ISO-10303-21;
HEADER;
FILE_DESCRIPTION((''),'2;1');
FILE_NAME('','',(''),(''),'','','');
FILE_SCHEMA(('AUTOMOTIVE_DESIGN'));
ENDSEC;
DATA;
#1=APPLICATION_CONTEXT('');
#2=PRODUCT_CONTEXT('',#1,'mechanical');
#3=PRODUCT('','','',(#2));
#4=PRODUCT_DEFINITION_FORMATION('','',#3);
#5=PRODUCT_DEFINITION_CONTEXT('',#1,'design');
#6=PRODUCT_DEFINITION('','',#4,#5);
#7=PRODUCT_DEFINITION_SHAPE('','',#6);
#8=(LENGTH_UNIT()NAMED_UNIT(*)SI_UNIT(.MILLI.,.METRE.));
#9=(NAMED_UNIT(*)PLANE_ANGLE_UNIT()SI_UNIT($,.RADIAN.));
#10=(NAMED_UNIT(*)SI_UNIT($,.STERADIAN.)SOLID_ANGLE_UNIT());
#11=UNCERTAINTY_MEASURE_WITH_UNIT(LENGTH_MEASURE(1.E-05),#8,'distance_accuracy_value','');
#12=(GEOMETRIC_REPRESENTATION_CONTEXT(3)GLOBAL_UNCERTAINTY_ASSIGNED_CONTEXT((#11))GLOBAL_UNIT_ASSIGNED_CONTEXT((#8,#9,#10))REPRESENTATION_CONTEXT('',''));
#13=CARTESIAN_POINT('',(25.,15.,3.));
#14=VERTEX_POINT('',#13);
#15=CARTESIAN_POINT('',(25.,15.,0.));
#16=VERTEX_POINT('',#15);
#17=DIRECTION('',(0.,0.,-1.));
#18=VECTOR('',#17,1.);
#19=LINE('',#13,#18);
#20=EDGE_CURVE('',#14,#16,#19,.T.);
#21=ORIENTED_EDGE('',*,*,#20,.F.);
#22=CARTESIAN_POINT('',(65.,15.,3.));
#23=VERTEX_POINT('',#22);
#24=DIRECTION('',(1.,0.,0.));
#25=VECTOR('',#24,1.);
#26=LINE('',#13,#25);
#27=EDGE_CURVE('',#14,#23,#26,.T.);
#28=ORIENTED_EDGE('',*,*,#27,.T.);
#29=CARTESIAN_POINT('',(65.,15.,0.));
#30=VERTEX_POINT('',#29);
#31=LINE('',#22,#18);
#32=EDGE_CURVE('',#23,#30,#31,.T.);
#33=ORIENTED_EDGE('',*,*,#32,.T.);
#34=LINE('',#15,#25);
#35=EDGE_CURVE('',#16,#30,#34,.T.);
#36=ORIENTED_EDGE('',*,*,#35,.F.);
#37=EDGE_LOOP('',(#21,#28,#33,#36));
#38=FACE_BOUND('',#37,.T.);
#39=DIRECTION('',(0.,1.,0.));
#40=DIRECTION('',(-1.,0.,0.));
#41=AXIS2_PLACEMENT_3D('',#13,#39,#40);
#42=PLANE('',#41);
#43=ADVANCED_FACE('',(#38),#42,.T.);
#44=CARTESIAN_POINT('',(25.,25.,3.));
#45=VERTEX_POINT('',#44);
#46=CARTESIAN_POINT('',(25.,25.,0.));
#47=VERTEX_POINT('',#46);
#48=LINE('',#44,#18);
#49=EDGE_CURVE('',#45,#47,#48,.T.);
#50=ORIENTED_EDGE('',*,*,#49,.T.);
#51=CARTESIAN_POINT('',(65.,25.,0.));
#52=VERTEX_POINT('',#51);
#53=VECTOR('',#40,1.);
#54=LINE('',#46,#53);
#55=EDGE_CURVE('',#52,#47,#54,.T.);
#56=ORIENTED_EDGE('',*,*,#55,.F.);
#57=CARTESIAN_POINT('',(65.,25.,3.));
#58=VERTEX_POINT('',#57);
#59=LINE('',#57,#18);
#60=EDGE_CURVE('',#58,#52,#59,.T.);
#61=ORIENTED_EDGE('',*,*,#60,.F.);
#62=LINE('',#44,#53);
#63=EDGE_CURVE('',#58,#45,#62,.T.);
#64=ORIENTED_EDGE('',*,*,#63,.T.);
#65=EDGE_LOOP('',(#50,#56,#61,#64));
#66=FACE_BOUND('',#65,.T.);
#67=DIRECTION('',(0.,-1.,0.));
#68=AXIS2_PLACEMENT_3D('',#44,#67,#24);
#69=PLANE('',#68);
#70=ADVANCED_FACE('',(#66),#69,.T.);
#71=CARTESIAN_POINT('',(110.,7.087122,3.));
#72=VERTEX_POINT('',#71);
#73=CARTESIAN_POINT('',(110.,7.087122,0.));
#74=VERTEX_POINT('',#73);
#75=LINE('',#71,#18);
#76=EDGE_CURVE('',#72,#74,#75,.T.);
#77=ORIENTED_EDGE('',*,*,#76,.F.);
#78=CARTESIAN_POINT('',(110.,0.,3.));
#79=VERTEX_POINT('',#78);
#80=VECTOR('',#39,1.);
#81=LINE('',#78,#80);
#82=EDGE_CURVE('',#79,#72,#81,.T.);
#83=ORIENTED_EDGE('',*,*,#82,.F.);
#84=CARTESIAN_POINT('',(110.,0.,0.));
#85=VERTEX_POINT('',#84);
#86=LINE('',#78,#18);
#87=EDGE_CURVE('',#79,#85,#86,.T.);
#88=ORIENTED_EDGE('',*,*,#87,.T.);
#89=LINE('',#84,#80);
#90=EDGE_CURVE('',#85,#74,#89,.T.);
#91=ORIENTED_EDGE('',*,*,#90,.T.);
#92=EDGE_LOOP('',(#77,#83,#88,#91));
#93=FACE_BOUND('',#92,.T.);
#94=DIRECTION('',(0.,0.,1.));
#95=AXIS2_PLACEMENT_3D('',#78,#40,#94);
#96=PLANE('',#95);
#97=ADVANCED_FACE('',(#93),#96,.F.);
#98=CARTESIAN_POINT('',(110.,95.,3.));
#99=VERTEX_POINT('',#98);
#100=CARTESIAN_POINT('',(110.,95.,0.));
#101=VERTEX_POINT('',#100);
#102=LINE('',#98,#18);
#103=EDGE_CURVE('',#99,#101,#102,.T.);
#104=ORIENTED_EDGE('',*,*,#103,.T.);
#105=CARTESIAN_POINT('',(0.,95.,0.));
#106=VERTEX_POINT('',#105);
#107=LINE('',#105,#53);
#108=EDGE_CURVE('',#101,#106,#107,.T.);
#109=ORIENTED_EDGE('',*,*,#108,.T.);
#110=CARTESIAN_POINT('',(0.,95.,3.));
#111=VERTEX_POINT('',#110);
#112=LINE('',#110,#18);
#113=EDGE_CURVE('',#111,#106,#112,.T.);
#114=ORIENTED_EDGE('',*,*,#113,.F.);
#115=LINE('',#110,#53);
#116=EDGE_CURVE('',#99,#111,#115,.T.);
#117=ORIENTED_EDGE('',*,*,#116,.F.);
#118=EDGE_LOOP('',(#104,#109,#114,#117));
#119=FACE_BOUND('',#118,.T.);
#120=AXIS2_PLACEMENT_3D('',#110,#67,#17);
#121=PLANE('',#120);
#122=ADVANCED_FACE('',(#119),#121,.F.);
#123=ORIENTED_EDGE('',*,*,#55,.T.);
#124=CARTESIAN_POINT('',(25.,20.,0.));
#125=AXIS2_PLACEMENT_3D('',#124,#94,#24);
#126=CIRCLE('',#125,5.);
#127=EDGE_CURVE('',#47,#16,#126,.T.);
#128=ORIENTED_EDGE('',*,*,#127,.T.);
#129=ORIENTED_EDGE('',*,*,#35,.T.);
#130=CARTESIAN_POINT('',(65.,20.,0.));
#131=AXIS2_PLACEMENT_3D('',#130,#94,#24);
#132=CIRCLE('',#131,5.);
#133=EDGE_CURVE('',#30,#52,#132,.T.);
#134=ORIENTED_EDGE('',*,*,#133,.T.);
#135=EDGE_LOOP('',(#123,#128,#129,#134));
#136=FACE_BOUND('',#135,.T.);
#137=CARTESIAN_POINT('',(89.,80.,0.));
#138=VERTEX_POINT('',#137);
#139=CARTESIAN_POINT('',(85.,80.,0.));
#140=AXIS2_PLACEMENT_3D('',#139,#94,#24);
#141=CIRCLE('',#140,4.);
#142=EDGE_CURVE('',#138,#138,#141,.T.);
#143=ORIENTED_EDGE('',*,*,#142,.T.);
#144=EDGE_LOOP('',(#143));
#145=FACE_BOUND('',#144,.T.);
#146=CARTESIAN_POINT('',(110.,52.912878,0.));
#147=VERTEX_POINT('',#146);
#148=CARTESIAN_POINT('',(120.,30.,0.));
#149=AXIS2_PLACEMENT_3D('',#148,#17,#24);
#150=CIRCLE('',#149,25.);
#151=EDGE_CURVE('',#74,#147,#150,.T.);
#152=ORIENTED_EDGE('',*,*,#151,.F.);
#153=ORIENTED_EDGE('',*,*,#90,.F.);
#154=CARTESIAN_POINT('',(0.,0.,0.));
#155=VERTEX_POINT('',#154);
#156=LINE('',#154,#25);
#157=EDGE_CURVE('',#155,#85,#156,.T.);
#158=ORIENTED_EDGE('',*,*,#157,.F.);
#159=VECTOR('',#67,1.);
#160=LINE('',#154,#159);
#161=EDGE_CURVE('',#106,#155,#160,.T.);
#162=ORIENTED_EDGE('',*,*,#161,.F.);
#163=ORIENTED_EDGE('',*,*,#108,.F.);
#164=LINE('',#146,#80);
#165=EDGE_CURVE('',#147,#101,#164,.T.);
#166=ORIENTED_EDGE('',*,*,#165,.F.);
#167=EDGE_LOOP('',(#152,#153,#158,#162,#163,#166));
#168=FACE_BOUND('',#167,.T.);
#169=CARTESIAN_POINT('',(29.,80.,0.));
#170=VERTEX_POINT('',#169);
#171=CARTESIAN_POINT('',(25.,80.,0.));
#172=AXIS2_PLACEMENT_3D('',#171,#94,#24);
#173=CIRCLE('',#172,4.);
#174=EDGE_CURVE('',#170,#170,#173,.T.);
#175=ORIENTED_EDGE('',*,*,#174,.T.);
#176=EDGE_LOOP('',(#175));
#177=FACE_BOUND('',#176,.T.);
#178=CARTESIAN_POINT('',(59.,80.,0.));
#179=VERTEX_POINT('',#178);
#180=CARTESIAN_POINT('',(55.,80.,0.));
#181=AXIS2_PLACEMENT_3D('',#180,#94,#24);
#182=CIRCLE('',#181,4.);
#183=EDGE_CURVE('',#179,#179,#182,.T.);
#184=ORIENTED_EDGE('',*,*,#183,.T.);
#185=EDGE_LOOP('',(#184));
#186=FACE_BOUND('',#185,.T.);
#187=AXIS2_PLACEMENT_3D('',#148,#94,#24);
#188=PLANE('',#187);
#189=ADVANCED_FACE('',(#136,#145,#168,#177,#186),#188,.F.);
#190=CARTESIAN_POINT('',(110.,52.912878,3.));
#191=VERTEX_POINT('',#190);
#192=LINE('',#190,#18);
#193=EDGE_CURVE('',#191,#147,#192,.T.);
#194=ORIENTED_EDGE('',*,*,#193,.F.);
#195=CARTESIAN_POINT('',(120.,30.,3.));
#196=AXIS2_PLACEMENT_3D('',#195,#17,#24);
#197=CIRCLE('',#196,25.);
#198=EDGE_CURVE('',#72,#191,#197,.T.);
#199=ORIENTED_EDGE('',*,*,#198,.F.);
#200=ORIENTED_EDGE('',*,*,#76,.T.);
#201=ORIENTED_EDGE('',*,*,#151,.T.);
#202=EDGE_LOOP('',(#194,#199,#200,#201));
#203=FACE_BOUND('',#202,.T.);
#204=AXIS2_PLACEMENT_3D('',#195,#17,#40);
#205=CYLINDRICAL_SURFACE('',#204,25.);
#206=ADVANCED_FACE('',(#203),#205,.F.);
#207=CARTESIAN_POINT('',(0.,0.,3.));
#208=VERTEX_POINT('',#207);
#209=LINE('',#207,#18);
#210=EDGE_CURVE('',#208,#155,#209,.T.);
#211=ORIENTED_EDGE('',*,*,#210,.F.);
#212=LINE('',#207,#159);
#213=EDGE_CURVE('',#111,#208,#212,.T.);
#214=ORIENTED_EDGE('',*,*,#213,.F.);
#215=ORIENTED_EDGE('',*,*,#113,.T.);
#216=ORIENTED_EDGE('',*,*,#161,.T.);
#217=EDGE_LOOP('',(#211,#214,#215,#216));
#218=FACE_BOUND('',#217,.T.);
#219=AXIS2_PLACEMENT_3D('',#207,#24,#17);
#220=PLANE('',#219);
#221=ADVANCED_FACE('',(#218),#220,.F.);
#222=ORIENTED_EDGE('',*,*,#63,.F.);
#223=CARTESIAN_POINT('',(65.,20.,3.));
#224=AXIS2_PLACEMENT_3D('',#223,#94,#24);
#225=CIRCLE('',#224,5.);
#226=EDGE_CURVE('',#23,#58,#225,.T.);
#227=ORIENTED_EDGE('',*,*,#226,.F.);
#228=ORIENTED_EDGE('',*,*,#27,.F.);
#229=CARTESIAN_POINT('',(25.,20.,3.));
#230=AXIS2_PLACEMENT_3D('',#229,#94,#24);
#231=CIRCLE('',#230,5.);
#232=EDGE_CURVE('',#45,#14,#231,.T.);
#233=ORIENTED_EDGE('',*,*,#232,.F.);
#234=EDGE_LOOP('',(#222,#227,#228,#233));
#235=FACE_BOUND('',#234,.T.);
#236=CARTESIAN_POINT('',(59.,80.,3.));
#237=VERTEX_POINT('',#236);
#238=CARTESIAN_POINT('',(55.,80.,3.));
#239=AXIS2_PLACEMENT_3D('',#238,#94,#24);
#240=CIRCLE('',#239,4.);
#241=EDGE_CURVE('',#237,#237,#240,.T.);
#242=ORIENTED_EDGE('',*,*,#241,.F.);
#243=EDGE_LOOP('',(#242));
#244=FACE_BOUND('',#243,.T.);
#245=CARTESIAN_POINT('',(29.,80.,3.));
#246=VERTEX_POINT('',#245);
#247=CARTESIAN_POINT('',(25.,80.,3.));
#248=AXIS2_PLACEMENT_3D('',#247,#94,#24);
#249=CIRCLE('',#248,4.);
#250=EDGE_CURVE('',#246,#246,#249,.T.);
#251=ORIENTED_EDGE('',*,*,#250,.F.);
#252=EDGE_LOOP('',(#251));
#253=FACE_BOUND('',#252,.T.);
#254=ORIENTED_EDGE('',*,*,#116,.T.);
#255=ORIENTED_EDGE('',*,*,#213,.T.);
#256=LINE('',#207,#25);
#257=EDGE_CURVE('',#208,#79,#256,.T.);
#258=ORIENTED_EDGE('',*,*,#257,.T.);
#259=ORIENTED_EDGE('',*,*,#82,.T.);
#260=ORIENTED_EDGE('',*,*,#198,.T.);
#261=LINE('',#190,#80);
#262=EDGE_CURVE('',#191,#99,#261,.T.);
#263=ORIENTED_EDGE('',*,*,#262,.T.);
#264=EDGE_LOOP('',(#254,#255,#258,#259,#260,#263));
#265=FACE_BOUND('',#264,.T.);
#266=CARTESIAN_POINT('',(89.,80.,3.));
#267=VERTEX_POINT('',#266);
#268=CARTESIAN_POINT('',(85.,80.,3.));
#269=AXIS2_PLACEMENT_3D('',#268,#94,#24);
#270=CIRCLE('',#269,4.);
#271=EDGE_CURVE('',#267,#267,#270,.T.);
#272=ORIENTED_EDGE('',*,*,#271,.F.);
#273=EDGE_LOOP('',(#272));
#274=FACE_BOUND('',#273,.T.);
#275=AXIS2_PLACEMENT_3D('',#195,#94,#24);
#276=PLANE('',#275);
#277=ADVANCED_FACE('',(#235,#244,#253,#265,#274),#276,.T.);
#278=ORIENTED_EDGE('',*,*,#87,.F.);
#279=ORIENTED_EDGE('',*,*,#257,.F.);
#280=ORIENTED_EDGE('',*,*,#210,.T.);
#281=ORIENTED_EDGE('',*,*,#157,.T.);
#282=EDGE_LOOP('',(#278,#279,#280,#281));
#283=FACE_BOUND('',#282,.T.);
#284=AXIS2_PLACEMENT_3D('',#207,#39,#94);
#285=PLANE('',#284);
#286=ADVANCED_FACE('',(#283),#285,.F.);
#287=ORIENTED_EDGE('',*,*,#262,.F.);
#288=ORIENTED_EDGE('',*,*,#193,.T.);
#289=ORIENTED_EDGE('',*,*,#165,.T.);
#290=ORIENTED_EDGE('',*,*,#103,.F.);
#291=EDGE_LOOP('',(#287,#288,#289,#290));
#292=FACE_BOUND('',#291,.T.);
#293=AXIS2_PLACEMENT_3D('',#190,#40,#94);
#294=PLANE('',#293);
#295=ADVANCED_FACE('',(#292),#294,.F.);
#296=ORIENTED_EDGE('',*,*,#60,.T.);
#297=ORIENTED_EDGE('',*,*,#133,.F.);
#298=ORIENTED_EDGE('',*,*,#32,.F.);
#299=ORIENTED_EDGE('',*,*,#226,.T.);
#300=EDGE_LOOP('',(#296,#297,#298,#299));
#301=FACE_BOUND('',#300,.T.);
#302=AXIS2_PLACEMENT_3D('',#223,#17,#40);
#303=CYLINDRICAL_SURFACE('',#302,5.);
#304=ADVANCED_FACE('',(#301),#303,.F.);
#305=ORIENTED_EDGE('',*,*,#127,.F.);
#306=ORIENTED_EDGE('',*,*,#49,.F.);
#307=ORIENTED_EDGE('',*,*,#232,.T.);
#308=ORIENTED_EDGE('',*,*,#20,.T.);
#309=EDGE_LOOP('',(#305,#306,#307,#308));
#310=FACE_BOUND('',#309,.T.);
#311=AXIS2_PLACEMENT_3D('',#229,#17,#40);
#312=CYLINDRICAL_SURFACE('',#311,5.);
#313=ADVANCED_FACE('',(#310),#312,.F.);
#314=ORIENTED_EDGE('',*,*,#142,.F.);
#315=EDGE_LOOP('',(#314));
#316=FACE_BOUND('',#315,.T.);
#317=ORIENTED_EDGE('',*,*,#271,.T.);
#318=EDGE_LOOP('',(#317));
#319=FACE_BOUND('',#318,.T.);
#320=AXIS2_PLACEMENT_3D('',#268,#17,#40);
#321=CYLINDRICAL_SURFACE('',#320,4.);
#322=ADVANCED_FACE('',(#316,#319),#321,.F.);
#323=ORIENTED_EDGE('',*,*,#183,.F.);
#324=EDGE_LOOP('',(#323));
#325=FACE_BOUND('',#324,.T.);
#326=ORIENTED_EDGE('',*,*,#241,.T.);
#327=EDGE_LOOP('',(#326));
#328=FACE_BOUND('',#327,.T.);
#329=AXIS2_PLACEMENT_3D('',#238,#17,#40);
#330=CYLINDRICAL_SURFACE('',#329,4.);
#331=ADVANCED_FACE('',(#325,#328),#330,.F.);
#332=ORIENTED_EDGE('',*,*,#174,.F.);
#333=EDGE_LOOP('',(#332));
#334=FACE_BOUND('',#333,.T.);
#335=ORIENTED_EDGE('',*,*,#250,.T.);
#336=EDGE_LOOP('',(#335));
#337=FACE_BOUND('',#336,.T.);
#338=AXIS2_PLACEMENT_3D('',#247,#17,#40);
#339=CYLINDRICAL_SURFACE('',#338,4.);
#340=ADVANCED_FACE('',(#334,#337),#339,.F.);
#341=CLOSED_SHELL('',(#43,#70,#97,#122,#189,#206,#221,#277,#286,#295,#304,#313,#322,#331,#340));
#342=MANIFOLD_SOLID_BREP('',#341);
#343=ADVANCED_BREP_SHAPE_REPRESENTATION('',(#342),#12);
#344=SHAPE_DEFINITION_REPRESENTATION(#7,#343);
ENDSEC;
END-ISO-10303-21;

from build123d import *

# Parameters (mm, degrees)
SKIZZE1_R                       = 4
AUFSATZ_LINEAR_AUSTRAGEN1_DEPTH = 3


with BuildPart() as part:
    # Skizze1 → Aufsatz-Linear austragen1 (new body)
    with BuildSketch(Plane.XY):
        with BuildLine():
            Line((0, 0), (110, 0))
            Line((110, 0), (110, 7.087121525))
            ThreePointArc((110, 7.087121525), (95, 30), (110, 52.912878475))
            Line((110, 52.912878475), (110, 95))
            Line((110, 95), (0, 95))
            Line((0, 95), (0, 0))
        make_face()
        with Locations((25, 80)):
            Circle(SKIZZE1_R, mode=Mode.SUBTRACT)
        with Locations((55, 80)):
            Circle(SKIZZE1_R, mode=Mode.SUBTRACT)
        with Locations((85, 80)):
            Circle(SKIZZE1_R, mode=Mode.SUBTRACT)
        with BuildLine():
            Line((25, 25), (65, 25))
            ThreePointArc((65, 25), (70, 20), (65, 15))
            Line((65, 15), (25, 15))
            ThreePointArc((25, 15), (20, 20), (25, 25))
        make_face(mode=Mode.SUBTRACT)
    extrude(amount=AUFSATZ_LINEAR_AUSTRAGEN1_DEPTH)


solid = part.part
